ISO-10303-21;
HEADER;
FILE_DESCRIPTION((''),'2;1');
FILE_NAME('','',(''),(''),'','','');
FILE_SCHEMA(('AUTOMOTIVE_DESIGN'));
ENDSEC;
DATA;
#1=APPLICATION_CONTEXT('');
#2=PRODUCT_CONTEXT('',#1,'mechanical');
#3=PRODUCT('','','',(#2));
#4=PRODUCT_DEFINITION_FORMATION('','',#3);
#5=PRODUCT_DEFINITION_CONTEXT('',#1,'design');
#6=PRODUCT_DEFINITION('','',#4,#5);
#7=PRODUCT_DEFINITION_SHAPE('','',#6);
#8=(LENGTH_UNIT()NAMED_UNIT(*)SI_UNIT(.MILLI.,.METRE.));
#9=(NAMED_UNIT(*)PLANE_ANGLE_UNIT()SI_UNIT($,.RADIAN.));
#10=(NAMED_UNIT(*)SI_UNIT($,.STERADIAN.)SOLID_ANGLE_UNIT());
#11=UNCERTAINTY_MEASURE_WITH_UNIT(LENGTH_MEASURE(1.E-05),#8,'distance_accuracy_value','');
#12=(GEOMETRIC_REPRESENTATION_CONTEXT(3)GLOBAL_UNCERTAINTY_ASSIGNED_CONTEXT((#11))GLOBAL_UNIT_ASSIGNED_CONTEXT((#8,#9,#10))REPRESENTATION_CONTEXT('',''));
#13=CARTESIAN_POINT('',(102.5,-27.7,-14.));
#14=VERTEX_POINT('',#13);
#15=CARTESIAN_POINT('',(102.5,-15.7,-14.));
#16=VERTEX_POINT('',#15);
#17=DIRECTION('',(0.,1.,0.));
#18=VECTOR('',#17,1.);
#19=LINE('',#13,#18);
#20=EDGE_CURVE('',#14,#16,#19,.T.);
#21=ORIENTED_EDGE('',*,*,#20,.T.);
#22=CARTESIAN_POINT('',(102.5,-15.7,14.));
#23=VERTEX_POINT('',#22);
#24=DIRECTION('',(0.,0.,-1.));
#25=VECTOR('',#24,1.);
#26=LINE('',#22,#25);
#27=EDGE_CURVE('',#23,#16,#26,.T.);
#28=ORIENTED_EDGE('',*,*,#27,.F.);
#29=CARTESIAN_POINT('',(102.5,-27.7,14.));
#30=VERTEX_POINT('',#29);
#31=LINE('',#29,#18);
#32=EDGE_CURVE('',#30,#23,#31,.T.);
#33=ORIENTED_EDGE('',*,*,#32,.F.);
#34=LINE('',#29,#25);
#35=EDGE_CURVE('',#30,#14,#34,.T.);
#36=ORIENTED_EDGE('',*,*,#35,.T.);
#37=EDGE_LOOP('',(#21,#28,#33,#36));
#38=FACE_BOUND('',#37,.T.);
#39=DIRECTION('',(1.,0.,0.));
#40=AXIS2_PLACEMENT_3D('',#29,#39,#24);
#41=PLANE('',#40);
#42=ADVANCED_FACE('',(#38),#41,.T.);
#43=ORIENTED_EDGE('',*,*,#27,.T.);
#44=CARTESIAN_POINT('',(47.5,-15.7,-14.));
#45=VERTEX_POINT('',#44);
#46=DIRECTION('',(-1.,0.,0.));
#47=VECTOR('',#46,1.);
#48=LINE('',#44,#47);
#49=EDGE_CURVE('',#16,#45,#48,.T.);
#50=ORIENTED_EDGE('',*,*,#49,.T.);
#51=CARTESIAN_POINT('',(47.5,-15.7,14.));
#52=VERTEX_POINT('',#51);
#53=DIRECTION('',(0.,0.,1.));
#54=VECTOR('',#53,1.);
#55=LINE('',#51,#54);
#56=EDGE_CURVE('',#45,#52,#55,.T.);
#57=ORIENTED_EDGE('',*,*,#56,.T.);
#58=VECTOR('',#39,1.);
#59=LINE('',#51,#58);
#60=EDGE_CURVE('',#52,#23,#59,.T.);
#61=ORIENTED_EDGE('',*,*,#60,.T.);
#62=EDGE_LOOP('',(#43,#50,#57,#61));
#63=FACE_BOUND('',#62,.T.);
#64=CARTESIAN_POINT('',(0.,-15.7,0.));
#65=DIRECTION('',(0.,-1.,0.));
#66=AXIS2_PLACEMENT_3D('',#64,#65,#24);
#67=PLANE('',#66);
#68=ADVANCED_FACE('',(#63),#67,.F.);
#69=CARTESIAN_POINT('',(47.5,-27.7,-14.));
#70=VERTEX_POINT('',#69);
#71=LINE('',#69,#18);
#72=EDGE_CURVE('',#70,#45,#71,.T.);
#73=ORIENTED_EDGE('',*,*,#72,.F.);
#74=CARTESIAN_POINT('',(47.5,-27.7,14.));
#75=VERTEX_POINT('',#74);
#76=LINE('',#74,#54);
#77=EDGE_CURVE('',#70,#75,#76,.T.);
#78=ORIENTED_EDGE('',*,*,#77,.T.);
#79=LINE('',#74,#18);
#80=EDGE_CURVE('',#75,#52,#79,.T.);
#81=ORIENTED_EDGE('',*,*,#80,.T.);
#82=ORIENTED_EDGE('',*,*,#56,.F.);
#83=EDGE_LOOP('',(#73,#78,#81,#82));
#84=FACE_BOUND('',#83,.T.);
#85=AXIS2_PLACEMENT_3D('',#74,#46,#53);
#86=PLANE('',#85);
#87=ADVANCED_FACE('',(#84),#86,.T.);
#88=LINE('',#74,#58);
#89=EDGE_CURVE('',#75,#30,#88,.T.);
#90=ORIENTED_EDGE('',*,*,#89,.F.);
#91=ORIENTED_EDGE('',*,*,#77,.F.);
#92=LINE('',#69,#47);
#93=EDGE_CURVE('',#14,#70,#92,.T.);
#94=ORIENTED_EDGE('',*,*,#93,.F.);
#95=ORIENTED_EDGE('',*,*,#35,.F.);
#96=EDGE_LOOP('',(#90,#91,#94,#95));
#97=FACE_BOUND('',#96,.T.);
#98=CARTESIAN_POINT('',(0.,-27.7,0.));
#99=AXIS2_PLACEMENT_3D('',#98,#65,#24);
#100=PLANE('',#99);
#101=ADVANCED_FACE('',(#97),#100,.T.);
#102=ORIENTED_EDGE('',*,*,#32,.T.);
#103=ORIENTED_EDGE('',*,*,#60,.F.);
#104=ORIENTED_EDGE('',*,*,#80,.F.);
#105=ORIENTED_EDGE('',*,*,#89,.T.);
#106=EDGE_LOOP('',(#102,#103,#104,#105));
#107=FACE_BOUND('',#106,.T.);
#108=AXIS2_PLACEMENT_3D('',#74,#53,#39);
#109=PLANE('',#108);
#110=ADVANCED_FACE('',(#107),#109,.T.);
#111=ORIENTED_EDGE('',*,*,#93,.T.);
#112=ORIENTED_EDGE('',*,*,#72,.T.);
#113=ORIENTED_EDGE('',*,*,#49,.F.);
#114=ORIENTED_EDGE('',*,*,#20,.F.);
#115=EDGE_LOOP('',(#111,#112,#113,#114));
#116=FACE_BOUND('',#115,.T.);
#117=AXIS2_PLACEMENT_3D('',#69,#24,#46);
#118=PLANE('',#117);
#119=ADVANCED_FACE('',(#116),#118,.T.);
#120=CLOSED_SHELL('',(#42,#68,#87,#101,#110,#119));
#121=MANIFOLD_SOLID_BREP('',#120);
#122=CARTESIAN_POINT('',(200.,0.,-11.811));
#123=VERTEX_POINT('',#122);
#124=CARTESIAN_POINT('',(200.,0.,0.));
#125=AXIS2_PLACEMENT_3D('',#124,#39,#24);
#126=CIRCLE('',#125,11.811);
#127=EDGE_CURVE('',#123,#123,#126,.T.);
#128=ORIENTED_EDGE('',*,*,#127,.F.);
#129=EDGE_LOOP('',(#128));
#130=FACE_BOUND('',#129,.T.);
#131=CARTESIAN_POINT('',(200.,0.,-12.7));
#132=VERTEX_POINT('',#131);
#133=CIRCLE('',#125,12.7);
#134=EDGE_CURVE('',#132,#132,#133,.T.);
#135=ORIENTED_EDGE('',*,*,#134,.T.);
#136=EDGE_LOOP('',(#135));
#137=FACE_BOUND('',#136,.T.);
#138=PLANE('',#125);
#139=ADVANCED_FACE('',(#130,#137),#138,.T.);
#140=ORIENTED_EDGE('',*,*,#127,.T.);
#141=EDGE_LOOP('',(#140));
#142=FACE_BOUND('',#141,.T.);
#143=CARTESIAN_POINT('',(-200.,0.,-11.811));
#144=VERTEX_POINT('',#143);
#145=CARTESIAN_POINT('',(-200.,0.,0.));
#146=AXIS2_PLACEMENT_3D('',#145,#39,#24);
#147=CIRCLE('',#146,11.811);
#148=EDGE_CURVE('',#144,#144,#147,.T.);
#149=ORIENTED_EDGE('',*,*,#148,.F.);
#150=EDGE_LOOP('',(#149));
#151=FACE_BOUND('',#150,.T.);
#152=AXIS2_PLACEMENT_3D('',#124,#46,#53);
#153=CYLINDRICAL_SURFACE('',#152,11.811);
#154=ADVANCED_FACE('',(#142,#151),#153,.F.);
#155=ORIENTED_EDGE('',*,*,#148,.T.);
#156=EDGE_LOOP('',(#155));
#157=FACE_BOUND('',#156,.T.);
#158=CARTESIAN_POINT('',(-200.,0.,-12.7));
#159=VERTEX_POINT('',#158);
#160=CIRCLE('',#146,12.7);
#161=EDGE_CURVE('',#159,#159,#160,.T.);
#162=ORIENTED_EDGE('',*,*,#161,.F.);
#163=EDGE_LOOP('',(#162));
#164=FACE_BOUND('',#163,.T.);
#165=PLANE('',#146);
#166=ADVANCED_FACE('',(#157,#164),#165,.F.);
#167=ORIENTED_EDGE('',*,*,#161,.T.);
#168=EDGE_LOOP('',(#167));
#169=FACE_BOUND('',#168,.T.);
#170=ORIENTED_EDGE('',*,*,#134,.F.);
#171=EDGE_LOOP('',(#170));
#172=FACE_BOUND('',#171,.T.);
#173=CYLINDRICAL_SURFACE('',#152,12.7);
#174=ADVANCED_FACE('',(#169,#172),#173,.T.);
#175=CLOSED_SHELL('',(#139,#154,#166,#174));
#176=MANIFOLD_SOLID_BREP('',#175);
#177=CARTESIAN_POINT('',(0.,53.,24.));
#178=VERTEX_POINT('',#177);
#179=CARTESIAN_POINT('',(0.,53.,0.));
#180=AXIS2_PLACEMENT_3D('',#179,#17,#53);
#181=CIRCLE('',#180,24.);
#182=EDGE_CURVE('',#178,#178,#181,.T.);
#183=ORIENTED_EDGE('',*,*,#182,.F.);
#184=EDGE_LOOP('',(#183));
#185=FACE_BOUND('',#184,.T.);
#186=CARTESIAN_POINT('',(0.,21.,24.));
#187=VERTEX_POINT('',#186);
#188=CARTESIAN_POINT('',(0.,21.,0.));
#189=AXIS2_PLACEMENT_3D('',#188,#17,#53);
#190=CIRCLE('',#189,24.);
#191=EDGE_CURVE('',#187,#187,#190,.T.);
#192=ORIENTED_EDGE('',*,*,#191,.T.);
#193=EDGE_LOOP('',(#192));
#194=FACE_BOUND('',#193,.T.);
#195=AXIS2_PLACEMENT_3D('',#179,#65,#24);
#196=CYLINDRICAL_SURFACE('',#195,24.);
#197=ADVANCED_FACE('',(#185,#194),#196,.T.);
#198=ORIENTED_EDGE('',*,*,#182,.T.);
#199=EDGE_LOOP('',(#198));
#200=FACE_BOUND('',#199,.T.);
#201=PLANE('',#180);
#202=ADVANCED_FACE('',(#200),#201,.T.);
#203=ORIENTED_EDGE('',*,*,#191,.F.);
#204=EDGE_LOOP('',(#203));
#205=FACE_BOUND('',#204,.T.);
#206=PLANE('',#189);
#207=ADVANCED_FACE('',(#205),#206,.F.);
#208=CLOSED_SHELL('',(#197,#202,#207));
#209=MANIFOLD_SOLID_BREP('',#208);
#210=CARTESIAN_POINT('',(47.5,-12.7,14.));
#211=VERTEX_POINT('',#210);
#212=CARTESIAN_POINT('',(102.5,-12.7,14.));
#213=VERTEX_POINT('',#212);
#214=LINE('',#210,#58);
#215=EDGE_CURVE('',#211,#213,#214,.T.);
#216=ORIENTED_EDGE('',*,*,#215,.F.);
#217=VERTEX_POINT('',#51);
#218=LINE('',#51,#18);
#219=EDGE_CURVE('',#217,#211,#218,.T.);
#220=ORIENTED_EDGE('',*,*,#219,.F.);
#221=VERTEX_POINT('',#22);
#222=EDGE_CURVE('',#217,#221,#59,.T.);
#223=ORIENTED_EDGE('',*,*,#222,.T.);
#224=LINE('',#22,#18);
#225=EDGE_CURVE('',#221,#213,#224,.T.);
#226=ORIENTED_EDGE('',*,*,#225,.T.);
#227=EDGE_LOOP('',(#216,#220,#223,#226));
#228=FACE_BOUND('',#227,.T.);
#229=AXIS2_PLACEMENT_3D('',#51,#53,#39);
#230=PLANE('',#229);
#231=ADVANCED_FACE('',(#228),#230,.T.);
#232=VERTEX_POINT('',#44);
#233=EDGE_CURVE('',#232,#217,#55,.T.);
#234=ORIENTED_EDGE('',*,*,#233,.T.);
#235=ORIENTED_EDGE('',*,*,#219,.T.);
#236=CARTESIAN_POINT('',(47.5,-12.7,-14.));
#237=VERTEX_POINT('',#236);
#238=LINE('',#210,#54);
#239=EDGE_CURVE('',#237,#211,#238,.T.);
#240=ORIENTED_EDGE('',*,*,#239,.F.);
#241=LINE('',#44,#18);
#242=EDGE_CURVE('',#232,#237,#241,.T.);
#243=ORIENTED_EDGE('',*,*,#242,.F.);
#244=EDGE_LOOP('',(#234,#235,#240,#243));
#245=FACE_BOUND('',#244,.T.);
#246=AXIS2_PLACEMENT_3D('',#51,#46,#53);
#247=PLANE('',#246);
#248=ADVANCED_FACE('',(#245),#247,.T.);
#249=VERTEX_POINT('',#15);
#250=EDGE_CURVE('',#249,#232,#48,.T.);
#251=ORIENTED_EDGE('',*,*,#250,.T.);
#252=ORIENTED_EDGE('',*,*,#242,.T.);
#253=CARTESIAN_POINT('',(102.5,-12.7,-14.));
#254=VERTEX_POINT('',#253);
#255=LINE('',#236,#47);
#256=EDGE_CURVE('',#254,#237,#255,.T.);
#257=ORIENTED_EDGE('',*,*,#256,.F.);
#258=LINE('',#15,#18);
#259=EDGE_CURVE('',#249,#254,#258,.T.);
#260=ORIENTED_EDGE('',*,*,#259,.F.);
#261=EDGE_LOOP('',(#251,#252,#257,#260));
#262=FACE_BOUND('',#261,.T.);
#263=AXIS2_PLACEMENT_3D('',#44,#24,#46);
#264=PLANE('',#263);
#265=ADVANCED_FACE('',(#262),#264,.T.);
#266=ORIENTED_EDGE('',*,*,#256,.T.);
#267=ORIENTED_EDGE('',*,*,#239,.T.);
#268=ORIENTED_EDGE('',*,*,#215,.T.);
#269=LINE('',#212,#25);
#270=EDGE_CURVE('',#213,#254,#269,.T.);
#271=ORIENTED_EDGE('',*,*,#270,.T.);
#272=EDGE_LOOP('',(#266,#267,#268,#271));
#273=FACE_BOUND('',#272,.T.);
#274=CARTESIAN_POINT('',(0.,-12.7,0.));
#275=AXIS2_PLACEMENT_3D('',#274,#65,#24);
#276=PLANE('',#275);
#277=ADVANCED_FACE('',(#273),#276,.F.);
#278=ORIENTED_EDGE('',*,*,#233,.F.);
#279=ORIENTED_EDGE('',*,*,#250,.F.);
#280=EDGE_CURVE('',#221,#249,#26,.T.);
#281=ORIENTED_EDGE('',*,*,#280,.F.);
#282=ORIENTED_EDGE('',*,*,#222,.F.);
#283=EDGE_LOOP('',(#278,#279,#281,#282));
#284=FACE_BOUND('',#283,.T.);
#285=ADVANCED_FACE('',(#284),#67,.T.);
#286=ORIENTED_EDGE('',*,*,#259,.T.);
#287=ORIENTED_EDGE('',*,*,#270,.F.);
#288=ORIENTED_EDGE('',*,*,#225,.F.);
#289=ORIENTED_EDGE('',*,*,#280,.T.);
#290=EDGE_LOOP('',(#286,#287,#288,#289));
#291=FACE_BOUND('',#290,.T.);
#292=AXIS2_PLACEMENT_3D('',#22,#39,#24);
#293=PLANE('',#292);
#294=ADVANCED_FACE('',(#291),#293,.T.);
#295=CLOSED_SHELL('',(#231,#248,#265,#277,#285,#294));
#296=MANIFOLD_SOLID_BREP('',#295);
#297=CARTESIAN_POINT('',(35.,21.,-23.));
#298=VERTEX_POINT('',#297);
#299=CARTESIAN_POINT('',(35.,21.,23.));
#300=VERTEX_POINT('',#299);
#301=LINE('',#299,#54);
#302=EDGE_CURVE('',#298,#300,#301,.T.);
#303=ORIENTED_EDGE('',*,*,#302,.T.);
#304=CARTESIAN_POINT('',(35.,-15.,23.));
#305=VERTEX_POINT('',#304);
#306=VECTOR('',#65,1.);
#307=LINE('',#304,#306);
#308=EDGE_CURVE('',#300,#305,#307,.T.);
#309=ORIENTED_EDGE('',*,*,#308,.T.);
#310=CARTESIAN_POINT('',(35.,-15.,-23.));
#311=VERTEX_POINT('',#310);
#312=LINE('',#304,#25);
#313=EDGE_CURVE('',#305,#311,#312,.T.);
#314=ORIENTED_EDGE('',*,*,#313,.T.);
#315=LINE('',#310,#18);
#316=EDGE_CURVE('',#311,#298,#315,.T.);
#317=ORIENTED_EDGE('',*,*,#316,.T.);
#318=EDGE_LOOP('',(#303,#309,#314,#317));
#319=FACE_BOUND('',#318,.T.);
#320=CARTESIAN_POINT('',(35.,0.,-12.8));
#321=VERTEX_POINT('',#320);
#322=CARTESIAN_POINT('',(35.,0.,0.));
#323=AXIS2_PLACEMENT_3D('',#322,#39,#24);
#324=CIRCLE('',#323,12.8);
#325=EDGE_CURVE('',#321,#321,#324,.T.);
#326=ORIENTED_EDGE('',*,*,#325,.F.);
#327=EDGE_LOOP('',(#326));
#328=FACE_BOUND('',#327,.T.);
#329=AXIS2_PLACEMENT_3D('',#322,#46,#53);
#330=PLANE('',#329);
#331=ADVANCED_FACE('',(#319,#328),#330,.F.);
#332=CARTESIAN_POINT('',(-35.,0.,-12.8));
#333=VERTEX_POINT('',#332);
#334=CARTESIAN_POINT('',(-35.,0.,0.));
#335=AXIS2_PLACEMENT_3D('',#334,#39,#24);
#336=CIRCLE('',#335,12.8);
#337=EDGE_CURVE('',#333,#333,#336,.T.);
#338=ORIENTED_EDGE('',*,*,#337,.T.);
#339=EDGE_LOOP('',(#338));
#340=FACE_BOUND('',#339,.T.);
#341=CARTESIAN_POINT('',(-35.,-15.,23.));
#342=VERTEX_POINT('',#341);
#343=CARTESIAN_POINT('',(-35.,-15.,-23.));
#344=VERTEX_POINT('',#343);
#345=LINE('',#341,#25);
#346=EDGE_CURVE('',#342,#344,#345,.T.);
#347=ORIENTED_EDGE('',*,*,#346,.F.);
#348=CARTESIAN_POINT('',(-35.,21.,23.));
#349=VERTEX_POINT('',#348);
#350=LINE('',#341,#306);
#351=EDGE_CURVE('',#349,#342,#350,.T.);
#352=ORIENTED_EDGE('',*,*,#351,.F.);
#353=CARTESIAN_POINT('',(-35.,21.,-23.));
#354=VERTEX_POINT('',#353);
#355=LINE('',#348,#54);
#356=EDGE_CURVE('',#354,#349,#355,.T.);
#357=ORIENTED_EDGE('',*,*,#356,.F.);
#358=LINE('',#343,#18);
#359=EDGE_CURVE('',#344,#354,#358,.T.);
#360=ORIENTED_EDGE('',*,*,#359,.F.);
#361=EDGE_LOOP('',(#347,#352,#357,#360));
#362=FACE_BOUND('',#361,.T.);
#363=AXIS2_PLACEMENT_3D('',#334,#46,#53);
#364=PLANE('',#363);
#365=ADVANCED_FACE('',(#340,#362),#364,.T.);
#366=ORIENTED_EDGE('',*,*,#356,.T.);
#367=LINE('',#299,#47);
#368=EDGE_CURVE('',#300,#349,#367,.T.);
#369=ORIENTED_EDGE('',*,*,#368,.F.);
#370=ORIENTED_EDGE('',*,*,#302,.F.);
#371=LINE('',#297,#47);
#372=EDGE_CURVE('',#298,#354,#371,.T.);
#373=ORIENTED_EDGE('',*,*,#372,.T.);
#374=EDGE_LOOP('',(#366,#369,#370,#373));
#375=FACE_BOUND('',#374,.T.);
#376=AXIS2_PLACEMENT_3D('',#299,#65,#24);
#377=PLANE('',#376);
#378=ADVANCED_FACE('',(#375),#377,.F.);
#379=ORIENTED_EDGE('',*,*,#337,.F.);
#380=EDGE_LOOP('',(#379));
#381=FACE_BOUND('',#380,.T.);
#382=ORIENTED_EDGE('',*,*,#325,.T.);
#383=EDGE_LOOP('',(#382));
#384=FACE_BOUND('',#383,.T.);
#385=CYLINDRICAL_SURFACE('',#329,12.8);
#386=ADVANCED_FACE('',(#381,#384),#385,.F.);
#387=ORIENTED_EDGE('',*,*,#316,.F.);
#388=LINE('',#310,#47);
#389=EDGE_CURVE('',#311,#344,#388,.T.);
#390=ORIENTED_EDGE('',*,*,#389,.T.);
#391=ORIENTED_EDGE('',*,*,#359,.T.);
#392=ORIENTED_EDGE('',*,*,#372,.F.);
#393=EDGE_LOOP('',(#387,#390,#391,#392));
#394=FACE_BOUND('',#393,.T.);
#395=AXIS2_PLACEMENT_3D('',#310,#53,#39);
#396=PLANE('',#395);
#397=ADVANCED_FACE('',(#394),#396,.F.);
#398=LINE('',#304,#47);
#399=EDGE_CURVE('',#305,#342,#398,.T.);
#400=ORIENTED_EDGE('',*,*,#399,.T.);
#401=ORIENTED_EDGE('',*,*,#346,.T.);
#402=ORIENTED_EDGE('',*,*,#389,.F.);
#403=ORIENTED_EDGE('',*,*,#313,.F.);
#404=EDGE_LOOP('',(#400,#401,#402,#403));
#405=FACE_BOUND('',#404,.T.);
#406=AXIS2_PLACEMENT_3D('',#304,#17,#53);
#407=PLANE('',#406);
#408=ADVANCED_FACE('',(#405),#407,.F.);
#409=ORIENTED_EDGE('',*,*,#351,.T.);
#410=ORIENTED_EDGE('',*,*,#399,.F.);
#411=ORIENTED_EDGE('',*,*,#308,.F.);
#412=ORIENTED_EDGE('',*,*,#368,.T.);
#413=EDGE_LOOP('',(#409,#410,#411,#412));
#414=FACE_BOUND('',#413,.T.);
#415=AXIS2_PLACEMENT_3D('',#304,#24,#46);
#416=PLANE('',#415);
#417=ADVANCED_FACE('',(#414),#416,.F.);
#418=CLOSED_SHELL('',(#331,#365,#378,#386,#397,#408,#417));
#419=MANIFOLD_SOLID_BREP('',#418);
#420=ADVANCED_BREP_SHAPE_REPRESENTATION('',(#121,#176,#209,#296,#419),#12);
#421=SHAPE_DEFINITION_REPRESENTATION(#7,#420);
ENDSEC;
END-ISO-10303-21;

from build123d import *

# Parameters (mm, degrees)
SKETCH1_R   = 12.7
SKETCH1_R_2 = 11.811
BOOM_DEPTH  = 200
SKETCH2_W   = 46
SKETCH2_H   = 36
SKETCH2_R   = 12.8
MOUNT_DEPTH = 35
MOTOR_START = 21
SKETCH3_R   = 24
MOTOR_DEPTH = 32
PAD_START   = -12.7
SKETCH4_W   = 55
SKETCH4_H   = 28
PAD_DEPTH   = 3
ESC_START   = -15.7
SKETCH5_W   = 55
SKETCH5_H   = 28
ESC_DEPTH   = 12


with BuildPart() as part:
    # Sketch1 → Boom (new, symmetric)
    with BuildSketch(Plane(origin=(0, 0, 0), x_dir=(0, 0, -1), z_dir=(1, 0, 0))):
        Circle(SKETCH1_R)
        Circle(SKETCH1_R_2, mode=Mode.SUBTRACT)
    extrude(amount=BOOM_DEPTH, both=True)


with BuildPart() as body_2:
    # Sketch2 → Mount (new, symmetric)
    with BuildSketch(Plane(origin=(0, 0, 0), x_dir=(0, 0, -1), z_dir=(1, 0, 0))):
        with Locations((0, 3)):
            Rectangle(SKETCH2_W, SKETCH2_H)
        Circle(SKETCH2_R, mode=Mode.SUBTRACT)
    extrude(amount=MOUNT_DEPTH, both=True)


with BuildPart() as body_3:
    # Sketch3 → Motor (new body)
    with BuildSketch(Plane(origin=(0, 0, 0), x_dir=(1, 0, 0), z_dir=(0, 1, 0)).offset(MOTOR_START)):
        with Locations(Location((0, 0, 0), (0, 0, 270))):
            Circle(SKETCH3_R)
    extrude(amount=MOTOR_DEPTH)


with BuildPart() as body_4:
    # Sketch4 → Pad (new body)
    with BuildSketch(Plane(origin=(0, 0, 0), x_dir=(1, 0, 0), z_dir=(0, 1, 0)).offset(PAD_START)):
        with Locations((75, 0)):
            Rectangle(SKETCH4_W, SKETCH4_H)
    extrude(amount=-PAD_DEPTH)


with BuildPart() as body_5:
    # Sketch5 → ESC (new body)
    with BuildSketch(Plane(origin=(0, 0, 0), x_dir=(1, 0, 0), z_dir=(0, 1, 0)).offset(ESC_START)):
        with Locations((75, 0)):
            Rectangle(SKETCH5_W, SKETCH5_H)
    extrude(amount=-ESC_DEPTH)


solid = Compound([part.part, body_2.part, body_3.part, body_4.part, body_5.part])
